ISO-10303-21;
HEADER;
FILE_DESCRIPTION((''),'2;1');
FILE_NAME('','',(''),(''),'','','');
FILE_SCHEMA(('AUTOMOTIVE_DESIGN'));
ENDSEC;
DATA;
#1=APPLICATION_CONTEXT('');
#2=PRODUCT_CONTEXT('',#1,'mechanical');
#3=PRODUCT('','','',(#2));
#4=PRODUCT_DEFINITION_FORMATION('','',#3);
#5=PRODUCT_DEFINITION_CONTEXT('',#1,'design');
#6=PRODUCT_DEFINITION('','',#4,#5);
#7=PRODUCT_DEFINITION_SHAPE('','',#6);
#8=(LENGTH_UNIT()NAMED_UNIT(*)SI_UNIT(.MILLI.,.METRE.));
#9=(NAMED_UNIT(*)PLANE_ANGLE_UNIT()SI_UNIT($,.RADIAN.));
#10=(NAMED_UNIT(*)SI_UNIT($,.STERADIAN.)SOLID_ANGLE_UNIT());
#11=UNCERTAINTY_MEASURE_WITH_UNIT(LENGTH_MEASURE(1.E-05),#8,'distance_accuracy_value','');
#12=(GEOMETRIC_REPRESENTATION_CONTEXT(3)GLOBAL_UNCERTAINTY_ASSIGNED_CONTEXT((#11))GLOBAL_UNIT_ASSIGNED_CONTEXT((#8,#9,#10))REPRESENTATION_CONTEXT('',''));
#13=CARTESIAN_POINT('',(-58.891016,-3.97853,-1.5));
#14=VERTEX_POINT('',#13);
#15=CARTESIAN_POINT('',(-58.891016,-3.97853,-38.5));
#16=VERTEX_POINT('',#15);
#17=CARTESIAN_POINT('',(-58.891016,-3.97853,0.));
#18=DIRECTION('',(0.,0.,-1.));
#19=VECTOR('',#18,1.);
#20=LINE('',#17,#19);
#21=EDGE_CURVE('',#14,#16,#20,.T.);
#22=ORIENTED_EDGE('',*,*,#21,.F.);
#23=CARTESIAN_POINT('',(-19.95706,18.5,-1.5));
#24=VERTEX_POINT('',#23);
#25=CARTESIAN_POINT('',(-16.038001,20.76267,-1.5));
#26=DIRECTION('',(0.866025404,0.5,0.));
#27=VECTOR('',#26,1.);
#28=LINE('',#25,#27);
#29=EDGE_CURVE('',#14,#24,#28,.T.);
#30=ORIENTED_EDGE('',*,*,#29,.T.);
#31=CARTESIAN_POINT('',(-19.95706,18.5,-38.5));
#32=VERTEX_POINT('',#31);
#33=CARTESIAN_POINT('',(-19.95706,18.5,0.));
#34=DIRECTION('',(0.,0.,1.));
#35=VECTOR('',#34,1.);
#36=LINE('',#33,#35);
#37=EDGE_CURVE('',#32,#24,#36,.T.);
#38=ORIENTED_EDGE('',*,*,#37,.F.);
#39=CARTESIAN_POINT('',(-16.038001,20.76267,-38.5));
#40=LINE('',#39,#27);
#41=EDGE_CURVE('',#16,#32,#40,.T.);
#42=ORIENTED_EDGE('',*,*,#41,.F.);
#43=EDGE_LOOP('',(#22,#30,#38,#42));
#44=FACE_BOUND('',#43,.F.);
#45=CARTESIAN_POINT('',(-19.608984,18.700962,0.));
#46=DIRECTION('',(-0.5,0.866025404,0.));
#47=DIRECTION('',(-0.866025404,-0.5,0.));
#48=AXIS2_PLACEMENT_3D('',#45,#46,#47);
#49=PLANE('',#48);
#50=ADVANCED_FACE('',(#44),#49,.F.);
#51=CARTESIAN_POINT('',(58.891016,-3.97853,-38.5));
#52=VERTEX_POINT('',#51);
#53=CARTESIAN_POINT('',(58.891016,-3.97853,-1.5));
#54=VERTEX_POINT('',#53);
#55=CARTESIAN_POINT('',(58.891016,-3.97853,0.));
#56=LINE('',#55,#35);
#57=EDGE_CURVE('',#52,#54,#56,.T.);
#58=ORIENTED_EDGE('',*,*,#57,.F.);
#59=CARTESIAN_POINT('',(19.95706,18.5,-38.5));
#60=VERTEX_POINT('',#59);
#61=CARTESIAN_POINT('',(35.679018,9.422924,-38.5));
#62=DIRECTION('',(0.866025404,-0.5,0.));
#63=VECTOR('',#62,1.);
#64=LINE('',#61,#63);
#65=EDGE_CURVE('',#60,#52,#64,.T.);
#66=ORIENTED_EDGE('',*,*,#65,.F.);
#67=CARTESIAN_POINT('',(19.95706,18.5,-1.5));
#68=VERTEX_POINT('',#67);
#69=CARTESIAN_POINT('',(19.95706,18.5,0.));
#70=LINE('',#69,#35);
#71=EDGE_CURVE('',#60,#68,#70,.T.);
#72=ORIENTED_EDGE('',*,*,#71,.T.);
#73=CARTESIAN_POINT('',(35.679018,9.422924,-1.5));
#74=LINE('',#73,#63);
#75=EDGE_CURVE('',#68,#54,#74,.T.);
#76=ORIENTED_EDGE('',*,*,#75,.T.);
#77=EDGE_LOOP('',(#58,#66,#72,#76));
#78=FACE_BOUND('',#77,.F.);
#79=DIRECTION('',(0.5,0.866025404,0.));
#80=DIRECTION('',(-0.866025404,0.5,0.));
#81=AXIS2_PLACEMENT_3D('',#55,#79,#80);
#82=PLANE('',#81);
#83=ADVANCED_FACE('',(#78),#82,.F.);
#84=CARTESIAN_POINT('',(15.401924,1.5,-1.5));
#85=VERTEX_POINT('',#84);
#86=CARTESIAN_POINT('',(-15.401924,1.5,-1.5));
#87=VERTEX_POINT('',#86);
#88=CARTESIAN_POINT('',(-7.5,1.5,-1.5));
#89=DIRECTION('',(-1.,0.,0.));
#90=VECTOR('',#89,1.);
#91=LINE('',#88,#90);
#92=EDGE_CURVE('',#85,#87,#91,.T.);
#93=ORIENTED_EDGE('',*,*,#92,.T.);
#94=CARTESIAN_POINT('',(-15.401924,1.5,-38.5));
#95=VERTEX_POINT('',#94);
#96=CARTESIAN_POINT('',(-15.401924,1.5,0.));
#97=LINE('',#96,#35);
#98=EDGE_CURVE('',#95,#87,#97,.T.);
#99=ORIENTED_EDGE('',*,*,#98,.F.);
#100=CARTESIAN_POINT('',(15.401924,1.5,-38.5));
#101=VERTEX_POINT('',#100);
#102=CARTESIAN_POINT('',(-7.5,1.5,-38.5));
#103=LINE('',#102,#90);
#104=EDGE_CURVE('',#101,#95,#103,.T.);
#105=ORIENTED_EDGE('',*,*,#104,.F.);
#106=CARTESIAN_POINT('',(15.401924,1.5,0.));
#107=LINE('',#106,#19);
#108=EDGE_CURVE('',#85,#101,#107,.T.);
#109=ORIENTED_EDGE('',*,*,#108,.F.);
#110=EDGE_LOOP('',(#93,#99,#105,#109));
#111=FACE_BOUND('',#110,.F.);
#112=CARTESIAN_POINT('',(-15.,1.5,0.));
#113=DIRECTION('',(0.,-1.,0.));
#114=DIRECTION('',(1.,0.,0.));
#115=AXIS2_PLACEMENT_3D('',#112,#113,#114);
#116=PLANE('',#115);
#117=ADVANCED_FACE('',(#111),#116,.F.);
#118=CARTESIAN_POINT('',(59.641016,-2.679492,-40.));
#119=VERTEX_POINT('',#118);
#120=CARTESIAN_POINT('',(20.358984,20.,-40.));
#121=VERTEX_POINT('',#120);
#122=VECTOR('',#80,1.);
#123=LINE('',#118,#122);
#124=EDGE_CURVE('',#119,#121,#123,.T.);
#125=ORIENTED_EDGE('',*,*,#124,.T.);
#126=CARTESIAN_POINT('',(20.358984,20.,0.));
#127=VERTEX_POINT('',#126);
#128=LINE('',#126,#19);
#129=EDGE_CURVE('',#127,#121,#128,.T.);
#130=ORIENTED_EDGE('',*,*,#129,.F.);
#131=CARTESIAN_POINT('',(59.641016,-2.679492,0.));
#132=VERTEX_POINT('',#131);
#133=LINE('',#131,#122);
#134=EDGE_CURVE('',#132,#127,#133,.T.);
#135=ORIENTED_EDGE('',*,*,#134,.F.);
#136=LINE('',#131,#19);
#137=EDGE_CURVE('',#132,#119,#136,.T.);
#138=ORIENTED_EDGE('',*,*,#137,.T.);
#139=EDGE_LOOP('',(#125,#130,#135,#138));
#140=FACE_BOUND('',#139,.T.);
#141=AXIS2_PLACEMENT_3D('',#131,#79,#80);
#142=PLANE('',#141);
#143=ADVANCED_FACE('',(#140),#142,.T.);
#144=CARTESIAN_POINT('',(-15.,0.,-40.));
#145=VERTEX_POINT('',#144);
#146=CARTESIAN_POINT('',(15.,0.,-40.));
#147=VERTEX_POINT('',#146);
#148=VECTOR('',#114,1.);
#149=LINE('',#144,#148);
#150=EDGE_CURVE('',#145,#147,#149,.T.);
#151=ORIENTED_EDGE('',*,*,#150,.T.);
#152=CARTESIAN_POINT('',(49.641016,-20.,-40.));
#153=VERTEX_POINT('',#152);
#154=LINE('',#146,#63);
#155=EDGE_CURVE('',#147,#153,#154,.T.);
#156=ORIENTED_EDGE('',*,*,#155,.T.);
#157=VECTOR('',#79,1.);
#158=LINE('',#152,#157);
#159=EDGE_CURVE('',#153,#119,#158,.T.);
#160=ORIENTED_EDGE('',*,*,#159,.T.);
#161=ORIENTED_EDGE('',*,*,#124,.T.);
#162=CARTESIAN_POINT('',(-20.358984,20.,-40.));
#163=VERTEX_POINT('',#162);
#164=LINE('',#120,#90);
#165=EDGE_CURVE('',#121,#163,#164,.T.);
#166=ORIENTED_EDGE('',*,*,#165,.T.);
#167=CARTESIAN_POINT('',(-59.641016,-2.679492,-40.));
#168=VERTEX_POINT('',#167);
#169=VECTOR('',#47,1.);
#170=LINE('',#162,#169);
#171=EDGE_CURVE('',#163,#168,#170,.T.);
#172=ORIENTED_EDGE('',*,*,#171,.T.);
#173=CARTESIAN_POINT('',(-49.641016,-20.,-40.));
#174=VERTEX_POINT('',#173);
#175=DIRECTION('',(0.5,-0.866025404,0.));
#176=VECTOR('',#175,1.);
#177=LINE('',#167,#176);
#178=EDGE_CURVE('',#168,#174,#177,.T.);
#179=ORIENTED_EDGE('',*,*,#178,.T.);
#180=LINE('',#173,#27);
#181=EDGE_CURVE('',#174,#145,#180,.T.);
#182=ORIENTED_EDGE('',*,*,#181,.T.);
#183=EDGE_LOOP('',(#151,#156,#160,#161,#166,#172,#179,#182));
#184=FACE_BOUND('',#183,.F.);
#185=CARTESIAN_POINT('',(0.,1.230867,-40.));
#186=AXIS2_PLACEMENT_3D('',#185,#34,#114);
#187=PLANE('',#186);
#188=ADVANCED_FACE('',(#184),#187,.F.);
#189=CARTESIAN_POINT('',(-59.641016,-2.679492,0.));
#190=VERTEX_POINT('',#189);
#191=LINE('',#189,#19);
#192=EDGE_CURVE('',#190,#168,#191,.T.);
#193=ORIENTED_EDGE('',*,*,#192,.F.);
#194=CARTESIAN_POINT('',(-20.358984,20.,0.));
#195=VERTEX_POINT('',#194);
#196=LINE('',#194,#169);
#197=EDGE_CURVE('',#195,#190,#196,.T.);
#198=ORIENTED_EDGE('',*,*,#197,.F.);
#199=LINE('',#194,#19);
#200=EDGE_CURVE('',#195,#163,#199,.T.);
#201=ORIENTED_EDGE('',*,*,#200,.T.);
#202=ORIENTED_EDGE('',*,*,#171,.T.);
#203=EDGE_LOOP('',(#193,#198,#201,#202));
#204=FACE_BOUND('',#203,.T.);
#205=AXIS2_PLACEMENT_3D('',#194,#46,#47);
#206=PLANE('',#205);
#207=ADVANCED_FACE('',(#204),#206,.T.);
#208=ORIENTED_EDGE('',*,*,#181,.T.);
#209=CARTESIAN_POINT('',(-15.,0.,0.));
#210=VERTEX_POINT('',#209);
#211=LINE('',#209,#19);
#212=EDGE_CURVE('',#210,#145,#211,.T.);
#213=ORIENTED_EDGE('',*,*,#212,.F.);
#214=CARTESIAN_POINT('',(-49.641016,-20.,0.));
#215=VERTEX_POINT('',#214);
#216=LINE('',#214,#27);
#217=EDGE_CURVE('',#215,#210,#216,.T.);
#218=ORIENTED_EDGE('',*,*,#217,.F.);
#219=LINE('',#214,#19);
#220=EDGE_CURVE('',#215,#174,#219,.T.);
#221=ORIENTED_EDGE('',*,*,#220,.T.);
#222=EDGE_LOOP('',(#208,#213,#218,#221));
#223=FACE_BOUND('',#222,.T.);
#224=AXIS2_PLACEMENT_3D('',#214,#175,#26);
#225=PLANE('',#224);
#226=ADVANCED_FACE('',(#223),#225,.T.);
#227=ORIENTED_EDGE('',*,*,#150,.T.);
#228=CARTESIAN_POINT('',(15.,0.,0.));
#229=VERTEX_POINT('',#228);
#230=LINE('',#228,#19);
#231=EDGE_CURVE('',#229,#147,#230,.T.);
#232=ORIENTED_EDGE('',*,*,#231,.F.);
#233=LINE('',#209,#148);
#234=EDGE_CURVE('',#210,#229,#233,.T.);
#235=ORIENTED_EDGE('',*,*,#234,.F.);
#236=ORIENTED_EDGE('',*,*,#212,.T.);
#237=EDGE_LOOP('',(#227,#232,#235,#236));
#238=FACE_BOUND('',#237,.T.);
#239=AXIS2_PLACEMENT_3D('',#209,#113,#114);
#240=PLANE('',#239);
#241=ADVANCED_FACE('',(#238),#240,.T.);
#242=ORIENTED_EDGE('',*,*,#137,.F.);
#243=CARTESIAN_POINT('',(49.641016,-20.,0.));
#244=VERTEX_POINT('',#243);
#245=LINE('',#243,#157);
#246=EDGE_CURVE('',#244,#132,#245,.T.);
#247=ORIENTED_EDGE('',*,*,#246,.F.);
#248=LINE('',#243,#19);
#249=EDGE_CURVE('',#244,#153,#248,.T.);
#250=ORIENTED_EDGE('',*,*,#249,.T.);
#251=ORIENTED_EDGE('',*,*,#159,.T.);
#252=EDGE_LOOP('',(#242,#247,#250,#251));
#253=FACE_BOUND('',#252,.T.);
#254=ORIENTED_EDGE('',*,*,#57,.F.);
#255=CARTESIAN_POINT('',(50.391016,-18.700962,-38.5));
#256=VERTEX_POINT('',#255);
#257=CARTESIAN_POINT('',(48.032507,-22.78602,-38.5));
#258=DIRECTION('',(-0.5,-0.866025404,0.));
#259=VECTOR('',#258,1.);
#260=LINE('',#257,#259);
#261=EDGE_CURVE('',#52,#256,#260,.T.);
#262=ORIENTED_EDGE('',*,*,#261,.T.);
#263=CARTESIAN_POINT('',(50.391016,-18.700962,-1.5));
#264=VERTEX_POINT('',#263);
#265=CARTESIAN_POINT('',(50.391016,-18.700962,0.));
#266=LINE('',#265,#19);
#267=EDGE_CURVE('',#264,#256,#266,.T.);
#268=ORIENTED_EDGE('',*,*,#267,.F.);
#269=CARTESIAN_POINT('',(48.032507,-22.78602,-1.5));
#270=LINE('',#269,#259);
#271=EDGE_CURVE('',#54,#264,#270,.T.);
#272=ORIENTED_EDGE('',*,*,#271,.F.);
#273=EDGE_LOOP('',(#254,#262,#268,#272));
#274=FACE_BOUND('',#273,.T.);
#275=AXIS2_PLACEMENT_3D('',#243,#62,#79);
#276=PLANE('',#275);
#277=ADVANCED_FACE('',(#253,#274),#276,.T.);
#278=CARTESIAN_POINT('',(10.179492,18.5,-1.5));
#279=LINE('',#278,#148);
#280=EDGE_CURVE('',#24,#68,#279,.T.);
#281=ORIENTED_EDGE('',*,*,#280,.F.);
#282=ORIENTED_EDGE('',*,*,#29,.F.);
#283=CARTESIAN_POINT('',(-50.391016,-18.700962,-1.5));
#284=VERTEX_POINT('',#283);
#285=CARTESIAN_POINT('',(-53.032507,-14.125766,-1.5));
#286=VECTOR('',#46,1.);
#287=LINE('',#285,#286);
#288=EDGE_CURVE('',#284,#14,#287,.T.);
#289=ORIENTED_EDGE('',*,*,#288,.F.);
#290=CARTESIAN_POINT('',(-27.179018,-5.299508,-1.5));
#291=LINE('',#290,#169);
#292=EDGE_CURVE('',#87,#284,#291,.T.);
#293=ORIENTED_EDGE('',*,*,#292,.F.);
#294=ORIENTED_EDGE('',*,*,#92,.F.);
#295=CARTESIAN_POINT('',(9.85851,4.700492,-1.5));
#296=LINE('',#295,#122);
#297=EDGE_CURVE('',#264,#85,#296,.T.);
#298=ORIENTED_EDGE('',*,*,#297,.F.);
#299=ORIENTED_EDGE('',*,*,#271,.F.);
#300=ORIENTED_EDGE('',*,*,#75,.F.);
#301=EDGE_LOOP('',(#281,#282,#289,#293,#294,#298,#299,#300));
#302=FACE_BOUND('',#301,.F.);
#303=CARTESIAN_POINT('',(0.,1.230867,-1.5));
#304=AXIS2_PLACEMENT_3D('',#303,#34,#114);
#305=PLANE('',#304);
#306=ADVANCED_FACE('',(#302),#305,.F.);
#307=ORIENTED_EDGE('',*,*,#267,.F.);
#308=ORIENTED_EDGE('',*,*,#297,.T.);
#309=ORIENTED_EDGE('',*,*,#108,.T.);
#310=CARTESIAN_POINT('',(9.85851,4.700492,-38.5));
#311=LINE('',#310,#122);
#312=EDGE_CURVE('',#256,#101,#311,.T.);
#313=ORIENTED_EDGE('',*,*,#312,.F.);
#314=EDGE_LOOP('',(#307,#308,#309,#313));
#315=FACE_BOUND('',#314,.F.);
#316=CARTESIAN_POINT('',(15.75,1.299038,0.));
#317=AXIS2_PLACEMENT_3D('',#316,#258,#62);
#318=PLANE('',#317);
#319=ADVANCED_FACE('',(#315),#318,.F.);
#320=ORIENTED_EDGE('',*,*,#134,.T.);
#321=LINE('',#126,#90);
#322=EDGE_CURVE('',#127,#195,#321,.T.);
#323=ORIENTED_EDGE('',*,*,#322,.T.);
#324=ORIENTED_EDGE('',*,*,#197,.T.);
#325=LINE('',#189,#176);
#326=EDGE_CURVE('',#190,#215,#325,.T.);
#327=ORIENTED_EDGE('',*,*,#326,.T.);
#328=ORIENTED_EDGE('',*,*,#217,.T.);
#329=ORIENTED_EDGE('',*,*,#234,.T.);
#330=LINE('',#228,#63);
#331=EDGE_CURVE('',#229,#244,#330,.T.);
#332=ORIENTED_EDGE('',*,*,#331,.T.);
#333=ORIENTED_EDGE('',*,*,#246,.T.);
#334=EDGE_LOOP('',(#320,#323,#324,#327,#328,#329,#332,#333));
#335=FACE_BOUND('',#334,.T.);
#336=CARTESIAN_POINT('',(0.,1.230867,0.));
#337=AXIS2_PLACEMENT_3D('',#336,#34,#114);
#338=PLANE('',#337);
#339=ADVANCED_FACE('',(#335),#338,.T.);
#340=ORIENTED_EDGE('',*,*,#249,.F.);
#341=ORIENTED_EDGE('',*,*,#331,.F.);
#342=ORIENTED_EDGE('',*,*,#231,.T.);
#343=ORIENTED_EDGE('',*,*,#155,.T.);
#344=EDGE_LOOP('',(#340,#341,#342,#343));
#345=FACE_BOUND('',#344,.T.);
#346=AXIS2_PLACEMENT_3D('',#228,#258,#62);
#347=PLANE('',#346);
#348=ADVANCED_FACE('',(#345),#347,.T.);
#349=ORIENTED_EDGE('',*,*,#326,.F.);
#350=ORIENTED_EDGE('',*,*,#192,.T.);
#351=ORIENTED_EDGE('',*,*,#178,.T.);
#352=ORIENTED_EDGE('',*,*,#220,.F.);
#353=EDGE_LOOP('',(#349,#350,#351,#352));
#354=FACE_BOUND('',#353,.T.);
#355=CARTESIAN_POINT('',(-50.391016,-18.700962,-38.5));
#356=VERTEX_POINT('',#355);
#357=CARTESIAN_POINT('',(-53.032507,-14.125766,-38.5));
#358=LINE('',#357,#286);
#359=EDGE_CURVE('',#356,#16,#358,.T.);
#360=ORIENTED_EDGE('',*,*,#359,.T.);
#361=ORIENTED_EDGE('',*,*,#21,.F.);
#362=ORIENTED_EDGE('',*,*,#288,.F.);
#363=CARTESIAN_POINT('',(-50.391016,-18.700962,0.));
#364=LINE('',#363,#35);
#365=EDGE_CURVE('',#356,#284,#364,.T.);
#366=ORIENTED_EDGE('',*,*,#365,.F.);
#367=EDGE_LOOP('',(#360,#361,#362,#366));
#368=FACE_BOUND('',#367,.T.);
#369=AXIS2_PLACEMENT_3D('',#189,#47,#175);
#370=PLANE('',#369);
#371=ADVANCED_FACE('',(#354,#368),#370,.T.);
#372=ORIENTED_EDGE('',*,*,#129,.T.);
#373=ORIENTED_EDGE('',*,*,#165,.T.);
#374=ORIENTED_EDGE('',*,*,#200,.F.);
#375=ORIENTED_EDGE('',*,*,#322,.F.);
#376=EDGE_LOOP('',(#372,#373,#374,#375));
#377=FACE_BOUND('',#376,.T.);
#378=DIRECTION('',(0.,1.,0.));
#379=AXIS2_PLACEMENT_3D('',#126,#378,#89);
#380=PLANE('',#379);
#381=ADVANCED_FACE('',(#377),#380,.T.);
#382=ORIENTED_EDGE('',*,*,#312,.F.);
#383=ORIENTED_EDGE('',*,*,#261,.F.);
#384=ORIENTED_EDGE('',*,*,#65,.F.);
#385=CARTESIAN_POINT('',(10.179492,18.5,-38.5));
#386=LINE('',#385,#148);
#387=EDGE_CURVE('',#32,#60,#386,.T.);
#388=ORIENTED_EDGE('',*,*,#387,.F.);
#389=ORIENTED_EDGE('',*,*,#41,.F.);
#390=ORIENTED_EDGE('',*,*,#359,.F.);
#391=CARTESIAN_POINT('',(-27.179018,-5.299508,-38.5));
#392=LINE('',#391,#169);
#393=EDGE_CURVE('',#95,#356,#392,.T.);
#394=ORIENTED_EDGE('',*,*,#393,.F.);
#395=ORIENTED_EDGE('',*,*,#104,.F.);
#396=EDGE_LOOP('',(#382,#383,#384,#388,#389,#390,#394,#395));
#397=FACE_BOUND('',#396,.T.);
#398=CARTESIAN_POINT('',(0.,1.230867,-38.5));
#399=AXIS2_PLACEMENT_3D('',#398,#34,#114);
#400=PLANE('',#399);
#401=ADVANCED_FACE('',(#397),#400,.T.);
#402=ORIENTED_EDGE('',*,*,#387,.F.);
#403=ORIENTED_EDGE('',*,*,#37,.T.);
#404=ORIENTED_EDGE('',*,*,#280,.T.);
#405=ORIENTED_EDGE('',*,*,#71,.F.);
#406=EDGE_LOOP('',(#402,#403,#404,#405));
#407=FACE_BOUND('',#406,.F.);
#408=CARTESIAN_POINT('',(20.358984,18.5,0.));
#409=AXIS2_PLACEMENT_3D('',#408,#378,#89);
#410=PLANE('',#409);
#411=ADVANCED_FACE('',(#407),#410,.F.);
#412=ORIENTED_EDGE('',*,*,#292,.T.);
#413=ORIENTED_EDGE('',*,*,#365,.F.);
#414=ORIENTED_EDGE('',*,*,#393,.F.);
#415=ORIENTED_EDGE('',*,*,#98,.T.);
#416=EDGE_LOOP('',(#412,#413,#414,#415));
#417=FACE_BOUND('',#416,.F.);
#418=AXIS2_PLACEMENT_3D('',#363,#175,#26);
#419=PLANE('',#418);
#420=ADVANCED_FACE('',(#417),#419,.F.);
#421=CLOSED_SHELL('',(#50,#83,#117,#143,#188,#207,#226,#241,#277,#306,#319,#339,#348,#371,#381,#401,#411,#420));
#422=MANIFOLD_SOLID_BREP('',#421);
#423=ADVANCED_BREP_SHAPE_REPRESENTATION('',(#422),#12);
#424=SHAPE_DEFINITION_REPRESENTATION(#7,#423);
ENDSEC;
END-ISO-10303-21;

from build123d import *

# Parameters (mm, degrees)
F1_DEPTH = 40
F2_T     = -1.5


with BuildPart() as f1:
    # F0 (on Top) → F1 (new body)
    with BuildSketch(Plane.XY):
        Polygon((-15, 0), (0, 0), (15, 0), (49.6410161514, -20), (59.6410161514, -2.6794919243), (20.3589838486, 20), (0, 20), (-20.3589838486, 20), (-59.6410161514, -2.6794919243), (-49.6410161514, -20), align=None)
    extrude(amount=-F1_DEPTH)

    # F2
    f2_openings = [f1.faces().sort_by_distance(p)[0] for p in [
        (-54.641016, -11.339746, -20),
        (54.641016, -11.339746, -20),
    ]]
    offset(amount=F2_T, openings=f2_openings, kind=Kind.INTERSECTION)


solid = f1.part
